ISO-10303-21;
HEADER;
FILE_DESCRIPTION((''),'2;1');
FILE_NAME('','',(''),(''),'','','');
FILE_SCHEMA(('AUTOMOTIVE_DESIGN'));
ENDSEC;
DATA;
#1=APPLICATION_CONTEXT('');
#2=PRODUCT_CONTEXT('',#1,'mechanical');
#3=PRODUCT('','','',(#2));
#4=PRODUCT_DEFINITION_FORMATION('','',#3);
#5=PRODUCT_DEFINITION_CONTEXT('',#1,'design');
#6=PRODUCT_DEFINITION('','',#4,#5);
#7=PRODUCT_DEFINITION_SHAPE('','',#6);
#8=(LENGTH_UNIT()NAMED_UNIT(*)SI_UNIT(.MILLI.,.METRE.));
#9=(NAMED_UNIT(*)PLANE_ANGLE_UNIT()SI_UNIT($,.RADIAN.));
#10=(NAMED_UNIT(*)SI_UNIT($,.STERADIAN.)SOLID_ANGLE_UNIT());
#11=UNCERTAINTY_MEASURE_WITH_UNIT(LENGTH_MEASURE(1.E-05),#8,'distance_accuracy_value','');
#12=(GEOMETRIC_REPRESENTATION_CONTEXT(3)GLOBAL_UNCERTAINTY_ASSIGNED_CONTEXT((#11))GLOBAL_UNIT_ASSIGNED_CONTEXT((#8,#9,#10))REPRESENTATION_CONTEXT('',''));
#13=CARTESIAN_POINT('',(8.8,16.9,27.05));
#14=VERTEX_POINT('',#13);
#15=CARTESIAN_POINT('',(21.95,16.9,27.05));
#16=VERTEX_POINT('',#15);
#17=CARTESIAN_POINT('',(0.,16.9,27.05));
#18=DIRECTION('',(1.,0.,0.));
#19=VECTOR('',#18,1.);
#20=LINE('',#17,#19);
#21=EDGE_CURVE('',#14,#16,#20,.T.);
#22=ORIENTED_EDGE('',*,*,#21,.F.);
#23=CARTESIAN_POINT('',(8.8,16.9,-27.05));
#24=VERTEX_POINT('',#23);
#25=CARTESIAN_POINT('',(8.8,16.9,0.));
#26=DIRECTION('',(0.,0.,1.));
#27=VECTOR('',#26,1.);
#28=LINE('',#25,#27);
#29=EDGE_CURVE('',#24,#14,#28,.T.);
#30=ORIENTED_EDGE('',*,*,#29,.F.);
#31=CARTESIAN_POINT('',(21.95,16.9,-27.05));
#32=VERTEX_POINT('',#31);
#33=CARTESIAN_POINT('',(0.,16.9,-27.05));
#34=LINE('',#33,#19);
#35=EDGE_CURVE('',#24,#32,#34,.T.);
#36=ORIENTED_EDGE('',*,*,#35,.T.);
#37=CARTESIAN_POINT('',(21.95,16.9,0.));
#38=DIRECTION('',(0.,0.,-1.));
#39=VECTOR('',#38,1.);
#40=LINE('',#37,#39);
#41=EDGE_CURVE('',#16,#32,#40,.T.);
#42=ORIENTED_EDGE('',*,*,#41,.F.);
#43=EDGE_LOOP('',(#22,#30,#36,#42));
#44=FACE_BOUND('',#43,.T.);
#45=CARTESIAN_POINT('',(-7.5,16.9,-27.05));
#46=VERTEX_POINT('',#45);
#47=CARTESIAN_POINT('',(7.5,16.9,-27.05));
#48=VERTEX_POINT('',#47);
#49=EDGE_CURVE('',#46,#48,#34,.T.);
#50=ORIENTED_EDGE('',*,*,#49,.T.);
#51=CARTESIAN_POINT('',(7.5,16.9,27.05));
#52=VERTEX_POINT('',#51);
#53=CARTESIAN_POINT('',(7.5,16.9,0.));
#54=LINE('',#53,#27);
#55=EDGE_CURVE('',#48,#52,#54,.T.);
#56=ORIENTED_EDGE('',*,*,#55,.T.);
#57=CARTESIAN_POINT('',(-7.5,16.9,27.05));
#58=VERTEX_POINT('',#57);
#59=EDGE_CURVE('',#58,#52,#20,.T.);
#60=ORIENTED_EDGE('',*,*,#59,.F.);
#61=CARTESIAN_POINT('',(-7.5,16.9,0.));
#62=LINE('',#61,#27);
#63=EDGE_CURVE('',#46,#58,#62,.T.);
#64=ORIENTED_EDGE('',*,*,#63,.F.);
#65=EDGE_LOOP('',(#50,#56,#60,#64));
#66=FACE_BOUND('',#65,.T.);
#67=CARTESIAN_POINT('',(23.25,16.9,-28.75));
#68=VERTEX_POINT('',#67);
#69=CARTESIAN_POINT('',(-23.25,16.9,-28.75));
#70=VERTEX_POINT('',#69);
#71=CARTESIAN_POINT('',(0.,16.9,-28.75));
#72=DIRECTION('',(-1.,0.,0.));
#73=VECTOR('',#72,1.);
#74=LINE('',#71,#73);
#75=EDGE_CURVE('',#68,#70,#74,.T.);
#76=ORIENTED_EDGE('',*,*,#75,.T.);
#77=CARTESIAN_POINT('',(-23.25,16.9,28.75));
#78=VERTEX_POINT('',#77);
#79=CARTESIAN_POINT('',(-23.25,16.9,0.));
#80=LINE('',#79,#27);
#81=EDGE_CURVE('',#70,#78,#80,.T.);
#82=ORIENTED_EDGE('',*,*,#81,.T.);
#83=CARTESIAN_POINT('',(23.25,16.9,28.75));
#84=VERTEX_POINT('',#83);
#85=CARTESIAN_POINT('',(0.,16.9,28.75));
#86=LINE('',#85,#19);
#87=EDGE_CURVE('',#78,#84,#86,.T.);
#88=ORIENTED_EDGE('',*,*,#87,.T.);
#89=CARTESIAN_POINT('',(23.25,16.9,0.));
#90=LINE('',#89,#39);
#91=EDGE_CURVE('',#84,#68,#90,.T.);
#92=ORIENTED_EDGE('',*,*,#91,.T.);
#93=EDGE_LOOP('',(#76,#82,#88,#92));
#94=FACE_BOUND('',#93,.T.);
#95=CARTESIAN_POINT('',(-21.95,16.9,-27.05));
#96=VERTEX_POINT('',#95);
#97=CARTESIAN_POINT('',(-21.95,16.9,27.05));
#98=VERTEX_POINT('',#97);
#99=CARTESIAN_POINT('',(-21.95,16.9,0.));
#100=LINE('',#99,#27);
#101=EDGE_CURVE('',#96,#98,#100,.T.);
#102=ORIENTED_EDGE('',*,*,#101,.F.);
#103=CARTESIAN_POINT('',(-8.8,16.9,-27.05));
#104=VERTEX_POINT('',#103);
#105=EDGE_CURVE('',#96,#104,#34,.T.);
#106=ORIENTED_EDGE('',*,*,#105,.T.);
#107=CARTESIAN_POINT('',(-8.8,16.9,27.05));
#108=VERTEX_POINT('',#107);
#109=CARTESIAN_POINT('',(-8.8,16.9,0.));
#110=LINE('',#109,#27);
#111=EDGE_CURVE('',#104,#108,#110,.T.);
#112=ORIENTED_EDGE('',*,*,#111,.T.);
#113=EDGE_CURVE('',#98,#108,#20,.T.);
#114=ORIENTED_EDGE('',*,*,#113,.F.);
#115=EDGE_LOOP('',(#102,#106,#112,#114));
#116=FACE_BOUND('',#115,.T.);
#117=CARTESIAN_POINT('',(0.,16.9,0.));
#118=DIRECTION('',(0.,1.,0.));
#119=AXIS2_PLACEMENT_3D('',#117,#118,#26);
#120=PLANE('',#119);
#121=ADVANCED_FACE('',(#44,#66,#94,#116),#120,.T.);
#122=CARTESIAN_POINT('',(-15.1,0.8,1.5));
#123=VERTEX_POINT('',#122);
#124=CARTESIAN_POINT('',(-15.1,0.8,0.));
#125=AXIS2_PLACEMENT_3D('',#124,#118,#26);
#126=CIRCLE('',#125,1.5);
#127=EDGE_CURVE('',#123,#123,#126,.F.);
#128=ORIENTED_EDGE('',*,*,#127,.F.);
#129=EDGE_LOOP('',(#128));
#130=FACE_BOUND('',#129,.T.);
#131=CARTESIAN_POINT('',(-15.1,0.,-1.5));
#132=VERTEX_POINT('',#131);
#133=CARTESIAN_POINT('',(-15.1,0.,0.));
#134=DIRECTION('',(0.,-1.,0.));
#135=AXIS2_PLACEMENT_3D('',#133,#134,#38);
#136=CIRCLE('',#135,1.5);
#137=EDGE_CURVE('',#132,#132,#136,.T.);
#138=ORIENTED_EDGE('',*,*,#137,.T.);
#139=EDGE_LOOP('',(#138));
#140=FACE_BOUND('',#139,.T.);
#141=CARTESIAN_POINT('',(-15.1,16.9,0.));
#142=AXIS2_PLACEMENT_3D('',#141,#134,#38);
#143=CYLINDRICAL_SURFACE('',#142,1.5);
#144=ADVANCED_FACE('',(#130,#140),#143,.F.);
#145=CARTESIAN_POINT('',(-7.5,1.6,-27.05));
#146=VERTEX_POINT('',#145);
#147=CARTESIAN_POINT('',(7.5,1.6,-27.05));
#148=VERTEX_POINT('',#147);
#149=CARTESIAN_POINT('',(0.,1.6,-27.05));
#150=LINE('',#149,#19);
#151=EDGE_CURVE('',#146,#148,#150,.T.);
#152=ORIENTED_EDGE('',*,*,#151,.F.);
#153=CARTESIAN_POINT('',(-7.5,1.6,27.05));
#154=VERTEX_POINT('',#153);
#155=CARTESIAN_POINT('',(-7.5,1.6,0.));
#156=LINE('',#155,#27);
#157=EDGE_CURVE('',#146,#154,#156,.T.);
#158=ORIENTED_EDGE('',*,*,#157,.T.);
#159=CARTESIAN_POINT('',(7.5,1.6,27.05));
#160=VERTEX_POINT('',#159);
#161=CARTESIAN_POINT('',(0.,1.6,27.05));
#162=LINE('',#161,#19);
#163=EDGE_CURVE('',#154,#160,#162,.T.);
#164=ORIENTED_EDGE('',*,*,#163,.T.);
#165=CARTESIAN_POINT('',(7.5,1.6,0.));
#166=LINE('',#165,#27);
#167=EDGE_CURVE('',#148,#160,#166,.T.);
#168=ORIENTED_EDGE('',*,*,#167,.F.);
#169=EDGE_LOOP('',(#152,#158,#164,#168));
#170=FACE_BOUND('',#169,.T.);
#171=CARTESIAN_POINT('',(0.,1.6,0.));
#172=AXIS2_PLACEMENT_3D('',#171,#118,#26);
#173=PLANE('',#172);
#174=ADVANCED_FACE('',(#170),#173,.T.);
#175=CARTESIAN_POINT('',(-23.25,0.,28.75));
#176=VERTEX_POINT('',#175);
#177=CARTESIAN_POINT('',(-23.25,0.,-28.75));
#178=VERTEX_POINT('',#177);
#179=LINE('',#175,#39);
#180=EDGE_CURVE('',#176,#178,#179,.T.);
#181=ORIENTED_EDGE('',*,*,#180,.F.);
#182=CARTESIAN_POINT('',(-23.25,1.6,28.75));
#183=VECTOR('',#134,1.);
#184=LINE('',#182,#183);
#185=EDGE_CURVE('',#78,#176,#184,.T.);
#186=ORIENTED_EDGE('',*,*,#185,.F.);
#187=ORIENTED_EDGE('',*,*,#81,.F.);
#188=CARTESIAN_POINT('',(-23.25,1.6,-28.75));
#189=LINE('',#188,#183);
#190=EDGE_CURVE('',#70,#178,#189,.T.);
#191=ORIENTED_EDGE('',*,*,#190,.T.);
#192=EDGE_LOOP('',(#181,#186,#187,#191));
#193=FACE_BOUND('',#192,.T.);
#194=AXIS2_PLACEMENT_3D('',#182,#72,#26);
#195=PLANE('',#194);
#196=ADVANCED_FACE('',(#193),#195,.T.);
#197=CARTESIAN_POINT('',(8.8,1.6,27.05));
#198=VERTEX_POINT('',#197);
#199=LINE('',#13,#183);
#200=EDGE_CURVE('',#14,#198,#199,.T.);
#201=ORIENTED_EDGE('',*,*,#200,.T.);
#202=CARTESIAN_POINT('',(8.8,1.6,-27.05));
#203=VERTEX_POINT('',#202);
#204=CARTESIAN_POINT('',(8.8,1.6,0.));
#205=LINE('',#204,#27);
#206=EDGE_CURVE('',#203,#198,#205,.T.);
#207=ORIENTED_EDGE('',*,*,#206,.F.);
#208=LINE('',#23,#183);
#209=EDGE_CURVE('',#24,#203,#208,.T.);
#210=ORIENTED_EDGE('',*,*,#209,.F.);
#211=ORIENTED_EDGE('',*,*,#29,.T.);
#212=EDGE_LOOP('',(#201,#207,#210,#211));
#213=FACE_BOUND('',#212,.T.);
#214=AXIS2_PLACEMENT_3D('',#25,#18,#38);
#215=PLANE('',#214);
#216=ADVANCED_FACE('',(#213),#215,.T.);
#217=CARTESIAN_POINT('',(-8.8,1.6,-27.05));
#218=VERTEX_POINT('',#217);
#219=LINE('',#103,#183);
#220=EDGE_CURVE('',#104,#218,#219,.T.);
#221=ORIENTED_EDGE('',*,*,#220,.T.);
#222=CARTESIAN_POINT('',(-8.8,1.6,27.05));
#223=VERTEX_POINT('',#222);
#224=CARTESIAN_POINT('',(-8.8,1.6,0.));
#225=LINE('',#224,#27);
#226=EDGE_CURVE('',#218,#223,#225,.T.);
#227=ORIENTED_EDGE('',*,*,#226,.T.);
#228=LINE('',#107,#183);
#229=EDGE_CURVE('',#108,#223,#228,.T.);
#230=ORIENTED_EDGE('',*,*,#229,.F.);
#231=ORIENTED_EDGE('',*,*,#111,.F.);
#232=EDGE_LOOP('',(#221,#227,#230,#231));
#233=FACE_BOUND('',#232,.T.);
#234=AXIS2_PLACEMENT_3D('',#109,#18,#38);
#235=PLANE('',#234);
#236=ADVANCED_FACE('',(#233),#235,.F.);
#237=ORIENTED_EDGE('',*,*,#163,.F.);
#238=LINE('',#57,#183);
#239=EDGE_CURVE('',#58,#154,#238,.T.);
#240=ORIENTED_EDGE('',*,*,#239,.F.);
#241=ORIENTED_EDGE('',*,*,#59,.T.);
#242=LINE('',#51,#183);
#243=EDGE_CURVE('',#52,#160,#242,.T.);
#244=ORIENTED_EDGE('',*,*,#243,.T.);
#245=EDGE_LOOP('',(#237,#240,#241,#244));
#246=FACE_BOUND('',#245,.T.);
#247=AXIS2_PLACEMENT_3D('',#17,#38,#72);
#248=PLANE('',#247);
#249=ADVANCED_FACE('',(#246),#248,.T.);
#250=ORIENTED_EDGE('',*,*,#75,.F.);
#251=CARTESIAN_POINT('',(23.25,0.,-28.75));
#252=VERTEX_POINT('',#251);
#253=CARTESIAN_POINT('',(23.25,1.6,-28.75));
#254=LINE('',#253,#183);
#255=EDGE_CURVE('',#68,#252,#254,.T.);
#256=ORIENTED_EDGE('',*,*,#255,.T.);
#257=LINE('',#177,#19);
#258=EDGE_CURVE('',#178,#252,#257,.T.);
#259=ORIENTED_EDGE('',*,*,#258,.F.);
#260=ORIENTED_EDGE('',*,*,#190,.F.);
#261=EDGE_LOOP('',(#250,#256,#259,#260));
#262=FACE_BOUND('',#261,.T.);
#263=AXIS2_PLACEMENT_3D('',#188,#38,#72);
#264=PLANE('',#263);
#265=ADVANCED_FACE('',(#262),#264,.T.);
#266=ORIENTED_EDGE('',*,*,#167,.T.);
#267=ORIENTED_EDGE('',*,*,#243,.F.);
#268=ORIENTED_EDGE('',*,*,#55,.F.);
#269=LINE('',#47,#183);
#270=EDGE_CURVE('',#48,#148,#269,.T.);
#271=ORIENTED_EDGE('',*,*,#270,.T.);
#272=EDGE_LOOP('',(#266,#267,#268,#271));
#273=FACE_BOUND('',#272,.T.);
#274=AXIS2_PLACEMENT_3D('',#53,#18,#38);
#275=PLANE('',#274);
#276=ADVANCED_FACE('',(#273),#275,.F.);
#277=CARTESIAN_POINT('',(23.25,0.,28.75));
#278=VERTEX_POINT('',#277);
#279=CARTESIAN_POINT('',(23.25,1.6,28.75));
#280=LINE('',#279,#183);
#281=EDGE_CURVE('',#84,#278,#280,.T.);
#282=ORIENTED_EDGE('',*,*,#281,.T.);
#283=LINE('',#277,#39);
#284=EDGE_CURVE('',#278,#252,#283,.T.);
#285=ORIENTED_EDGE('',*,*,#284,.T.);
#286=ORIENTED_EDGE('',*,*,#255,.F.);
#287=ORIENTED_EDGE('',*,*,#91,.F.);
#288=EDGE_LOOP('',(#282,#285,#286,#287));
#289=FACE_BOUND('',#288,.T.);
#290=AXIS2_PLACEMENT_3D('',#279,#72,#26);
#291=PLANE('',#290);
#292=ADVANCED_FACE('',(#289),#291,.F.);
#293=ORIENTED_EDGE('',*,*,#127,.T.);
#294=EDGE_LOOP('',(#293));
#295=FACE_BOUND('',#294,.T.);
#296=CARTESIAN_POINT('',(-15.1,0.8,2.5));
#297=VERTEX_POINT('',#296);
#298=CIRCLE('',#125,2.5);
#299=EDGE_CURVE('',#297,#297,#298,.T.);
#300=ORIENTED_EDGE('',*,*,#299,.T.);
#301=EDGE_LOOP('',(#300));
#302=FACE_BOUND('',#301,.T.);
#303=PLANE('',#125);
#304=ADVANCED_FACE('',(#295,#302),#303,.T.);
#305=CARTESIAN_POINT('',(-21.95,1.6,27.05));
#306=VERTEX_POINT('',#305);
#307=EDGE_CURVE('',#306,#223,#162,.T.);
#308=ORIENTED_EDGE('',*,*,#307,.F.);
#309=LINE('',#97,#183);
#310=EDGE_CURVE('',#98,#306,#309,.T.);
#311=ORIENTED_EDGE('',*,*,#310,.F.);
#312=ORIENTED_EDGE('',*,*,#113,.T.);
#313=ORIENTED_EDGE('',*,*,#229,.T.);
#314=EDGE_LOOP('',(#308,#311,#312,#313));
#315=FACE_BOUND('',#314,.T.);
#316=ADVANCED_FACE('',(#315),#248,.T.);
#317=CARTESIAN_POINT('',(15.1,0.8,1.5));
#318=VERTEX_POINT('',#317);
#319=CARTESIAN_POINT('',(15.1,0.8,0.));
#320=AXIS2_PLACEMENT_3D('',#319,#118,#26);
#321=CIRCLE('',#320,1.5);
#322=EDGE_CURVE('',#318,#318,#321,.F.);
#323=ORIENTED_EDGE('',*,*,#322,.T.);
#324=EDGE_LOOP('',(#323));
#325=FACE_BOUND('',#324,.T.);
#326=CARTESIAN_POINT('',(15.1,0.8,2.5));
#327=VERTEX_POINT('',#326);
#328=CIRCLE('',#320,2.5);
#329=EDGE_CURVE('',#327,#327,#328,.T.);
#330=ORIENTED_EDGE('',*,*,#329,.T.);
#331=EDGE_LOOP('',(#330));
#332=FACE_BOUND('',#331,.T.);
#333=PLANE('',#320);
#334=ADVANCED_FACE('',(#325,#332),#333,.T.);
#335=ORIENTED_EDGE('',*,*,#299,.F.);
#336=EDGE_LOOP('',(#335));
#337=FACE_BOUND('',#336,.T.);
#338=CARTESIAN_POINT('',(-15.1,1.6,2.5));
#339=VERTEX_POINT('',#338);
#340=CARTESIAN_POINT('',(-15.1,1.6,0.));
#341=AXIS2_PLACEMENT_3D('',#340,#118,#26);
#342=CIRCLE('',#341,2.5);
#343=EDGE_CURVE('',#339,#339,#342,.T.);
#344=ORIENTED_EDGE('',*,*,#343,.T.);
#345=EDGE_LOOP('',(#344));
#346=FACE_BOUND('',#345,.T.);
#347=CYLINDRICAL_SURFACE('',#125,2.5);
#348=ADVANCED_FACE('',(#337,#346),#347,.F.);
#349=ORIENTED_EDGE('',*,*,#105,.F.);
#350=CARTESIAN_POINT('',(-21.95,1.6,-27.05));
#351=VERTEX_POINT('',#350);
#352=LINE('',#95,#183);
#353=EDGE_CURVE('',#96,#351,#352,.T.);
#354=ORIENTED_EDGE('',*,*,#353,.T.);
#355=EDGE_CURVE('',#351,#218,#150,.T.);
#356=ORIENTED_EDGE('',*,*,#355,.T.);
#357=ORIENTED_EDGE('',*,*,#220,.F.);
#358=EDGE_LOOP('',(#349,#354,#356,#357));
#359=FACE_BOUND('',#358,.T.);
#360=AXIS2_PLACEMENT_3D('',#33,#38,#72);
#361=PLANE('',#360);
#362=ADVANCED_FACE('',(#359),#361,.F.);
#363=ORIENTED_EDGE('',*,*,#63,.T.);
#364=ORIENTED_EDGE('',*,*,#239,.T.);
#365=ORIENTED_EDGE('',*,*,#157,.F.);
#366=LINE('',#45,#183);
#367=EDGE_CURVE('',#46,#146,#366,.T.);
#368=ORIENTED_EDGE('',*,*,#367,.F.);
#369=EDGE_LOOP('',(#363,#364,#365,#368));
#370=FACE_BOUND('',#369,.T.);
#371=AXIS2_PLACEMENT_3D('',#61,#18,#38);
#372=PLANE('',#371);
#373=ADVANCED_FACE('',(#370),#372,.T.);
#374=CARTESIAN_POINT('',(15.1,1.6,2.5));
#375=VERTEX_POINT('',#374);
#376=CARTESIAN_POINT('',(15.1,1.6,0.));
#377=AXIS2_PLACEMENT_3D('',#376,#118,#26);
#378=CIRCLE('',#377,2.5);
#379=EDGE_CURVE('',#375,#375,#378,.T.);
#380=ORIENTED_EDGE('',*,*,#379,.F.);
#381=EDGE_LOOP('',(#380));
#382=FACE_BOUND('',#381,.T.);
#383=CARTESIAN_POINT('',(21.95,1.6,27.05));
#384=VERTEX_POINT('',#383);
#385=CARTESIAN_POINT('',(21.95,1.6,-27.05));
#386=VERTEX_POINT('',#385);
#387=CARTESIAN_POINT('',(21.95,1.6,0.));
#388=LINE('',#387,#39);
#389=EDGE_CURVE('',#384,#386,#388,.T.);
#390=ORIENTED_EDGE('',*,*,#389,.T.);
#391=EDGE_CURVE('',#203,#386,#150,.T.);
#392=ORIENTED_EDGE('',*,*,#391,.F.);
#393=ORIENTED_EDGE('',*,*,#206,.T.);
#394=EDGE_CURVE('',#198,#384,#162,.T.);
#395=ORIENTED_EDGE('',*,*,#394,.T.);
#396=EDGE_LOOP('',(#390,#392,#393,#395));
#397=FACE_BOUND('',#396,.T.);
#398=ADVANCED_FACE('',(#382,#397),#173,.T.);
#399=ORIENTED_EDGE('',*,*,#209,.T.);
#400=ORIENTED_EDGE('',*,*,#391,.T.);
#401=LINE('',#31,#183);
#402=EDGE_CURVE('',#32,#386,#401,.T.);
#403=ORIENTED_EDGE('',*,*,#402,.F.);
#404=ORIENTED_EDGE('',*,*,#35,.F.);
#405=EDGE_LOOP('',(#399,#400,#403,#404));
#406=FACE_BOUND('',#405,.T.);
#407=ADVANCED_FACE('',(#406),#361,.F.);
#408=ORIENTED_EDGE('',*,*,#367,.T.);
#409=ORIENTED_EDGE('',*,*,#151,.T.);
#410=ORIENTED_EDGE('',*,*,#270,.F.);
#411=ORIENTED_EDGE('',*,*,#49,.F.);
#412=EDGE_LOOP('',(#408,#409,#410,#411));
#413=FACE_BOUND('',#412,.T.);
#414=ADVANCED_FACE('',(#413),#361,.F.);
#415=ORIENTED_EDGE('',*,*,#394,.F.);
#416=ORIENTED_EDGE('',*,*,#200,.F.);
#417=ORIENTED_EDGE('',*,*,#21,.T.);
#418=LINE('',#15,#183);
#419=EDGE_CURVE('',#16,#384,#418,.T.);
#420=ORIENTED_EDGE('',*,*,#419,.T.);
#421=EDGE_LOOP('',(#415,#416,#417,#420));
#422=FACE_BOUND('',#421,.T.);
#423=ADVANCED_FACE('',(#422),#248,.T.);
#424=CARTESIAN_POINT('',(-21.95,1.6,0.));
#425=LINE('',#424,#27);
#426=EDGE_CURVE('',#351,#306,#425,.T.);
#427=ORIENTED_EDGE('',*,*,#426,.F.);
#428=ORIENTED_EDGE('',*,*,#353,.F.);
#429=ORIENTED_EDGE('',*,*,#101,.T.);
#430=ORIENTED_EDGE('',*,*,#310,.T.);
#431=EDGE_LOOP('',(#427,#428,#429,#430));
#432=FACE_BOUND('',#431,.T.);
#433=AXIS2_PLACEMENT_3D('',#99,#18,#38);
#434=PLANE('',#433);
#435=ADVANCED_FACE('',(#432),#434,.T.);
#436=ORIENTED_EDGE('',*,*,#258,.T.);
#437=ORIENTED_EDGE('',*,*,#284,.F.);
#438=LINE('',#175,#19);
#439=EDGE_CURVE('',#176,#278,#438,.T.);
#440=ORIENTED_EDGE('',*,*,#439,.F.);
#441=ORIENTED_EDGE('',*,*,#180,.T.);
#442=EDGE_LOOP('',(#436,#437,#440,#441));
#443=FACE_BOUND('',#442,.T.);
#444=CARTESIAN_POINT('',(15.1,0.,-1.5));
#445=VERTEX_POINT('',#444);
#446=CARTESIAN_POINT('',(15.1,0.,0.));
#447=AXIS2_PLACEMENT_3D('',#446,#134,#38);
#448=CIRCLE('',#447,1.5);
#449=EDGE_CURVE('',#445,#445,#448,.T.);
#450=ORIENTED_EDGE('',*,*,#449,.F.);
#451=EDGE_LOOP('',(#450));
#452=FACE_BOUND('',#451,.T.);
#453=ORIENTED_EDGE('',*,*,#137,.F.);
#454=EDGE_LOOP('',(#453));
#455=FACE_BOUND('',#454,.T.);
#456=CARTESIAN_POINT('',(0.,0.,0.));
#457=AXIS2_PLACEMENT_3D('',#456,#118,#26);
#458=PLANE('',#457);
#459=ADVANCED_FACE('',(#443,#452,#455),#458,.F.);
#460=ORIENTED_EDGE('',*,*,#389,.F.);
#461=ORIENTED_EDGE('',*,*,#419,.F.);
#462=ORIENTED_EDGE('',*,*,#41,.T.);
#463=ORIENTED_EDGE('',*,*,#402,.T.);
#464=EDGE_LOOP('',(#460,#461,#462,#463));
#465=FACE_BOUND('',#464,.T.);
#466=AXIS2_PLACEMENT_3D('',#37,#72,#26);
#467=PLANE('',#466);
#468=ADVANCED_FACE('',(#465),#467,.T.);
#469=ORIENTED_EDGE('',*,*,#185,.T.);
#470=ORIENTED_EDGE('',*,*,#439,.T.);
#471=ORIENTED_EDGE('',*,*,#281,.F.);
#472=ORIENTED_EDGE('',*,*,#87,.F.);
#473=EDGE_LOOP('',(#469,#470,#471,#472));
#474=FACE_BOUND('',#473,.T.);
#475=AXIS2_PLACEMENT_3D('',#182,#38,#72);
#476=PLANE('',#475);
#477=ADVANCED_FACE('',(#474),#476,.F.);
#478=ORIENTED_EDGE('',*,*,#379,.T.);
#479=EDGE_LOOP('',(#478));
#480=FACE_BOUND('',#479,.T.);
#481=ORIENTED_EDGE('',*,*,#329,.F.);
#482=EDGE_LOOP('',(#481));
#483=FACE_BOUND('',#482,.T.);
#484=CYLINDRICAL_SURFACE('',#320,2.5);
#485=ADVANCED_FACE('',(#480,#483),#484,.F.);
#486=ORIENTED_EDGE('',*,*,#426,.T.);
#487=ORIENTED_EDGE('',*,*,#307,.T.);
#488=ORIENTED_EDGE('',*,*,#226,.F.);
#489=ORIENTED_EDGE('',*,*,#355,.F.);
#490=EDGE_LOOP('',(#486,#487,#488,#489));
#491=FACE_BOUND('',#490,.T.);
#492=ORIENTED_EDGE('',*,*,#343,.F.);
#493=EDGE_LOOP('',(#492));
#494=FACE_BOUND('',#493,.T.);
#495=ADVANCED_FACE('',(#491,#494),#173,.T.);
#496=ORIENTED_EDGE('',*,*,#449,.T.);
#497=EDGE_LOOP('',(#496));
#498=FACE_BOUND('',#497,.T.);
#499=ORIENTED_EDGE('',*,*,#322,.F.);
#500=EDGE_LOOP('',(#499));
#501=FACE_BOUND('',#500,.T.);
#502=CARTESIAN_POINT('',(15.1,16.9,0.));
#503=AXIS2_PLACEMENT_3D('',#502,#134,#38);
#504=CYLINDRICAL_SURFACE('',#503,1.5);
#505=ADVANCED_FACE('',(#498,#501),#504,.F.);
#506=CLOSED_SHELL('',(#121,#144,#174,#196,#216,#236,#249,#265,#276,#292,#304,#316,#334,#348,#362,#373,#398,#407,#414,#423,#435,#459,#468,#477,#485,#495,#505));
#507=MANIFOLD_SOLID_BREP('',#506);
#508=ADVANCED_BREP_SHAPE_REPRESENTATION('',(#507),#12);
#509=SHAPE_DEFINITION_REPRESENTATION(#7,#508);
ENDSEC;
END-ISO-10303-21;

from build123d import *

# Parameters (mm, degrees)
SKETCH_1_W          = 46.5
SKETCH_1_H          = 57.5
EXTRUDE_1_DEPTH     = 1.6
SKETCH_2_W          = 46.5
SKETCH_2_H          = 57.5
SKETCH_2_W_2        = 13.15
SKETCH_2_H_2        = 54.1
SKETCH_2_W_3        = 15
EXTRUDE_2_DEPTH     = 15.3
SKETCH_3_R          = 1.5
CUT_EXTRUDE_1_DEPTH = 41.653843607
CUT_EXTRUDE_START   = -1.6
SKETCH_3_3_R        = 2.5
CUT_EXTRUDE_2_DEPTH = 0.8


with BuildPart() as part:
    # 草图1 → 凸台-拉伸1 (new body)
    with BuildSketch(Plane(origin=(0, 0, 0), x_dir=(1, 0, 0), z_dir=(0, 1, 0))):
        Rectangle(SKETCH_1_W, SKETCH_1_H)
    extrude(amount=EXTRUDE_1_DEPTH)

    # 草图2 → 凸台-拉伸2 (add)
    with BuildSketch(Plane(origin=(0, 1.6, 0), x_dir=(1, 0, 0), z_dir=(0, 1, 0))):
        Rectangle(SKETCH_2_W, SKETCH_2_H)
        with Locations((-15.375, 0)):
            Rectangle(SKETCH_2_W_2, SKETCH_2_H_2, mode=Mode.SUBTRACT)
        Rectangle(SKETCH_2_W_3, SKETCH_2_H_2, mode=Mode.SUBTRACT)
        with Locations((15.375, 0)):
            Rectangle(SKETCH_2_W_2, SKETCH_2_H_2, mode=Mode.SUBTRACT)
    extrude(amount=EXTRUDE_2_DEPTH)

    # 草图3 → 切除-拉伸1 (cut, through all)
    with BuildSketch(Plane.XZ):
        with Locations(Location((-15.1, 0, 0), (0, 0, 270))):
            Circle(SKETCH_3_R)
        with Locations(Location((15.1, 0, 0), (0, 0, 270))):
            Circle(SKETCH_3_R)
    extrude(amount=-CUT_EXTRUDE_1_DEPTH, mode=Mode.SUBTRACT)

    # 草图3<3> → 切除-拉伸2 (cut)
    with BuildSketch(Plane.XZ.offset(CUT_EXTRUDE_START)):
        with Locations(Location((-15.1, 0, 0), (0, 0, 90))):
            Circle(SKETCH_3_3_R)
        with Locations(Location((15.1, 0, 0), (0, 0, 90))):
            Circle(SKETCH_3_3_R)
    extrude(amount=CUT_EXTRUDE_2_DEPTH, mode=Mode.SUBTRACT)


solid = part.part
